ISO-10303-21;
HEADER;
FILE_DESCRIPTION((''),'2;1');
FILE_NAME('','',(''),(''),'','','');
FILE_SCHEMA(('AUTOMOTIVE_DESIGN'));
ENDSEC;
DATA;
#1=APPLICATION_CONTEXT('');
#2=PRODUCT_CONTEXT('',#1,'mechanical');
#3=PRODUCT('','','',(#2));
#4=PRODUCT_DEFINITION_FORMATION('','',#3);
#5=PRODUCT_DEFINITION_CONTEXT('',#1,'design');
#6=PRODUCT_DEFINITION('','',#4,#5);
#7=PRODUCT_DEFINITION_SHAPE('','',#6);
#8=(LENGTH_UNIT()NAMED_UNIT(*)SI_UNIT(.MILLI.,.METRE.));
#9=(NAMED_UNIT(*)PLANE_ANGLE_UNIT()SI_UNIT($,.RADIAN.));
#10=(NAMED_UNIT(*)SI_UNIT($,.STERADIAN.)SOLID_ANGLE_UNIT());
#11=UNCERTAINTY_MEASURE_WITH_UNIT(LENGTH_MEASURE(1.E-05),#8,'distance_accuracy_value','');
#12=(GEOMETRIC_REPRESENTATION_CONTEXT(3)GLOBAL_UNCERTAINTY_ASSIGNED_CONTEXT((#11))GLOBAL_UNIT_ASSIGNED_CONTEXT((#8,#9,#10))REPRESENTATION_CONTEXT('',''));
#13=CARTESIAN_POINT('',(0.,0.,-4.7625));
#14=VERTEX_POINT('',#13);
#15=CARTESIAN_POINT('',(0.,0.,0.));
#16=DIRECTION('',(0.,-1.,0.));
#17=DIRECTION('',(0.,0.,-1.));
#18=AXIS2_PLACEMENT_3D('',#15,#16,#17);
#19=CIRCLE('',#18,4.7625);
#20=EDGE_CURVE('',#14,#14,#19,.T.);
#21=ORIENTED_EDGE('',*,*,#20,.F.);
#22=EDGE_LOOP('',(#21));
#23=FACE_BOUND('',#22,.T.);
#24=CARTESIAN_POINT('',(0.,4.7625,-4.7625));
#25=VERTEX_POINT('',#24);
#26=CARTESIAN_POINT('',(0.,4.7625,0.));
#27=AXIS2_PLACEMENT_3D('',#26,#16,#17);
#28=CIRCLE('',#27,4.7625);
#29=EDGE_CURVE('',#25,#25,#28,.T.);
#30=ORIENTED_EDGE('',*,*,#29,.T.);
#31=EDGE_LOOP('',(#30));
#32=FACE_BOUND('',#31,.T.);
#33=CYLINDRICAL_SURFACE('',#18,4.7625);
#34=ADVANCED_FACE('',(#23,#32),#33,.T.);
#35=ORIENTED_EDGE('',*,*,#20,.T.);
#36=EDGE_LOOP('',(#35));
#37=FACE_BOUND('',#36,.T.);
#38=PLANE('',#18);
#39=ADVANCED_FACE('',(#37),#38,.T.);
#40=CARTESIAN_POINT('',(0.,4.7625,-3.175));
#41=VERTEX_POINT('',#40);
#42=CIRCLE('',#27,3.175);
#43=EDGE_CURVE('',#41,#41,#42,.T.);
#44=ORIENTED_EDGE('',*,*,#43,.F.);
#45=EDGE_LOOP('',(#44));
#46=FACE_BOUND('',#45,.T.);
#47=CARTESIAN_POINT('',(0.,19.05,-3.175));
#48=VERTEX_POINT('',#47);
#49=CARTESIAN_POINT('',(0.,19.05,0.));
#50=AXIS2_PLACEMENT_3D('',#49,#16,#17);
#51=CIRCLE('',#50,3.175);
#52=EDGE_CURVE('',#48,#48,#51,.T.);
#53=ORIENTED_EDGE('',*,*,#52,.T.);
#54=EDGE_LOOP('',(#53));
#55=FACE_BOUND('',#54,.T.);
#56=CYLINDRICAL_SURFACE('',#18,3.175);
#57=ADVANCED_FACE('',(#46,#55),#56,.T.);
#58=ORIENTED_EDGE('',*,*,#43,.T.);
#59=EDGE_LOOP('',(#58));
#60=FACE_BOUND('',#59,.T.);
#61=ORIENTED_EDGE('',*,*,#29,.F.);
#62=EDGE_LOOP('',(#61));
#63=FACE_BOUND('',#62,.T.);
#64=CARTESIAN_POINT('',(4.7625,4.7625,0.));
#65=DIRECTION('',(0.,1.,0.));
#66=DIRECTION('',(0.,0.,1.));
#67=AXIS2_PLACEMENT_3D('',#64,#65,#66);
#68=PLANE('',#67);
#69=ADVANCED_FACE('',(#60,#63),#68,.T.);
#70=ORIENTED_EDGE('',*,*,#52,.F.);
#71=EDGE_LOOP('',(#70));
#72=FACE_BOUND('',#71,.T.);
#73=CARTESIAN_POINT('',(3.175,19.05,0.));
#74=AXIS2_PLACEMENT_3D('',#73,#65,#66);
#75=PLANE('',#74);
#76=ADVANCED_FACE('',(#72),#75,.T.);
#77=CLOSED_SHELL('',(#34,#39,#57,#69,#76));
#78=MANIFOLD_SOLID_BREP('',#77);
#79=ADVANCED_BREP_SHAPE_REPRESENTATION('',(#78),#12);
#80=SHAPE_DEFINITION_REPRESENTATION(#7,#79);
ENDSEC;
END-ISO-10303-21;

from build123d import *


with BuildPart() as part:
    # Sketch1 → Revolve1 (revolve)
    with BuildSketch(Plane.XY, mode=Mode.PRIVATE) as revolve1_sk:
        Polygon((0, 0), (4.7625, 0), (4.7625, 4.7625), (3.175, 4.7625), (3.175, 19.05), (0, 19.05), align=None)
    revolve(revolve1_sk.sketch.rotate(Axis((0, 0, 0), (0, 1, 0)), 90), axis=Axis((0, 0, 0), (0, 1, 0)))


solid = part.part
